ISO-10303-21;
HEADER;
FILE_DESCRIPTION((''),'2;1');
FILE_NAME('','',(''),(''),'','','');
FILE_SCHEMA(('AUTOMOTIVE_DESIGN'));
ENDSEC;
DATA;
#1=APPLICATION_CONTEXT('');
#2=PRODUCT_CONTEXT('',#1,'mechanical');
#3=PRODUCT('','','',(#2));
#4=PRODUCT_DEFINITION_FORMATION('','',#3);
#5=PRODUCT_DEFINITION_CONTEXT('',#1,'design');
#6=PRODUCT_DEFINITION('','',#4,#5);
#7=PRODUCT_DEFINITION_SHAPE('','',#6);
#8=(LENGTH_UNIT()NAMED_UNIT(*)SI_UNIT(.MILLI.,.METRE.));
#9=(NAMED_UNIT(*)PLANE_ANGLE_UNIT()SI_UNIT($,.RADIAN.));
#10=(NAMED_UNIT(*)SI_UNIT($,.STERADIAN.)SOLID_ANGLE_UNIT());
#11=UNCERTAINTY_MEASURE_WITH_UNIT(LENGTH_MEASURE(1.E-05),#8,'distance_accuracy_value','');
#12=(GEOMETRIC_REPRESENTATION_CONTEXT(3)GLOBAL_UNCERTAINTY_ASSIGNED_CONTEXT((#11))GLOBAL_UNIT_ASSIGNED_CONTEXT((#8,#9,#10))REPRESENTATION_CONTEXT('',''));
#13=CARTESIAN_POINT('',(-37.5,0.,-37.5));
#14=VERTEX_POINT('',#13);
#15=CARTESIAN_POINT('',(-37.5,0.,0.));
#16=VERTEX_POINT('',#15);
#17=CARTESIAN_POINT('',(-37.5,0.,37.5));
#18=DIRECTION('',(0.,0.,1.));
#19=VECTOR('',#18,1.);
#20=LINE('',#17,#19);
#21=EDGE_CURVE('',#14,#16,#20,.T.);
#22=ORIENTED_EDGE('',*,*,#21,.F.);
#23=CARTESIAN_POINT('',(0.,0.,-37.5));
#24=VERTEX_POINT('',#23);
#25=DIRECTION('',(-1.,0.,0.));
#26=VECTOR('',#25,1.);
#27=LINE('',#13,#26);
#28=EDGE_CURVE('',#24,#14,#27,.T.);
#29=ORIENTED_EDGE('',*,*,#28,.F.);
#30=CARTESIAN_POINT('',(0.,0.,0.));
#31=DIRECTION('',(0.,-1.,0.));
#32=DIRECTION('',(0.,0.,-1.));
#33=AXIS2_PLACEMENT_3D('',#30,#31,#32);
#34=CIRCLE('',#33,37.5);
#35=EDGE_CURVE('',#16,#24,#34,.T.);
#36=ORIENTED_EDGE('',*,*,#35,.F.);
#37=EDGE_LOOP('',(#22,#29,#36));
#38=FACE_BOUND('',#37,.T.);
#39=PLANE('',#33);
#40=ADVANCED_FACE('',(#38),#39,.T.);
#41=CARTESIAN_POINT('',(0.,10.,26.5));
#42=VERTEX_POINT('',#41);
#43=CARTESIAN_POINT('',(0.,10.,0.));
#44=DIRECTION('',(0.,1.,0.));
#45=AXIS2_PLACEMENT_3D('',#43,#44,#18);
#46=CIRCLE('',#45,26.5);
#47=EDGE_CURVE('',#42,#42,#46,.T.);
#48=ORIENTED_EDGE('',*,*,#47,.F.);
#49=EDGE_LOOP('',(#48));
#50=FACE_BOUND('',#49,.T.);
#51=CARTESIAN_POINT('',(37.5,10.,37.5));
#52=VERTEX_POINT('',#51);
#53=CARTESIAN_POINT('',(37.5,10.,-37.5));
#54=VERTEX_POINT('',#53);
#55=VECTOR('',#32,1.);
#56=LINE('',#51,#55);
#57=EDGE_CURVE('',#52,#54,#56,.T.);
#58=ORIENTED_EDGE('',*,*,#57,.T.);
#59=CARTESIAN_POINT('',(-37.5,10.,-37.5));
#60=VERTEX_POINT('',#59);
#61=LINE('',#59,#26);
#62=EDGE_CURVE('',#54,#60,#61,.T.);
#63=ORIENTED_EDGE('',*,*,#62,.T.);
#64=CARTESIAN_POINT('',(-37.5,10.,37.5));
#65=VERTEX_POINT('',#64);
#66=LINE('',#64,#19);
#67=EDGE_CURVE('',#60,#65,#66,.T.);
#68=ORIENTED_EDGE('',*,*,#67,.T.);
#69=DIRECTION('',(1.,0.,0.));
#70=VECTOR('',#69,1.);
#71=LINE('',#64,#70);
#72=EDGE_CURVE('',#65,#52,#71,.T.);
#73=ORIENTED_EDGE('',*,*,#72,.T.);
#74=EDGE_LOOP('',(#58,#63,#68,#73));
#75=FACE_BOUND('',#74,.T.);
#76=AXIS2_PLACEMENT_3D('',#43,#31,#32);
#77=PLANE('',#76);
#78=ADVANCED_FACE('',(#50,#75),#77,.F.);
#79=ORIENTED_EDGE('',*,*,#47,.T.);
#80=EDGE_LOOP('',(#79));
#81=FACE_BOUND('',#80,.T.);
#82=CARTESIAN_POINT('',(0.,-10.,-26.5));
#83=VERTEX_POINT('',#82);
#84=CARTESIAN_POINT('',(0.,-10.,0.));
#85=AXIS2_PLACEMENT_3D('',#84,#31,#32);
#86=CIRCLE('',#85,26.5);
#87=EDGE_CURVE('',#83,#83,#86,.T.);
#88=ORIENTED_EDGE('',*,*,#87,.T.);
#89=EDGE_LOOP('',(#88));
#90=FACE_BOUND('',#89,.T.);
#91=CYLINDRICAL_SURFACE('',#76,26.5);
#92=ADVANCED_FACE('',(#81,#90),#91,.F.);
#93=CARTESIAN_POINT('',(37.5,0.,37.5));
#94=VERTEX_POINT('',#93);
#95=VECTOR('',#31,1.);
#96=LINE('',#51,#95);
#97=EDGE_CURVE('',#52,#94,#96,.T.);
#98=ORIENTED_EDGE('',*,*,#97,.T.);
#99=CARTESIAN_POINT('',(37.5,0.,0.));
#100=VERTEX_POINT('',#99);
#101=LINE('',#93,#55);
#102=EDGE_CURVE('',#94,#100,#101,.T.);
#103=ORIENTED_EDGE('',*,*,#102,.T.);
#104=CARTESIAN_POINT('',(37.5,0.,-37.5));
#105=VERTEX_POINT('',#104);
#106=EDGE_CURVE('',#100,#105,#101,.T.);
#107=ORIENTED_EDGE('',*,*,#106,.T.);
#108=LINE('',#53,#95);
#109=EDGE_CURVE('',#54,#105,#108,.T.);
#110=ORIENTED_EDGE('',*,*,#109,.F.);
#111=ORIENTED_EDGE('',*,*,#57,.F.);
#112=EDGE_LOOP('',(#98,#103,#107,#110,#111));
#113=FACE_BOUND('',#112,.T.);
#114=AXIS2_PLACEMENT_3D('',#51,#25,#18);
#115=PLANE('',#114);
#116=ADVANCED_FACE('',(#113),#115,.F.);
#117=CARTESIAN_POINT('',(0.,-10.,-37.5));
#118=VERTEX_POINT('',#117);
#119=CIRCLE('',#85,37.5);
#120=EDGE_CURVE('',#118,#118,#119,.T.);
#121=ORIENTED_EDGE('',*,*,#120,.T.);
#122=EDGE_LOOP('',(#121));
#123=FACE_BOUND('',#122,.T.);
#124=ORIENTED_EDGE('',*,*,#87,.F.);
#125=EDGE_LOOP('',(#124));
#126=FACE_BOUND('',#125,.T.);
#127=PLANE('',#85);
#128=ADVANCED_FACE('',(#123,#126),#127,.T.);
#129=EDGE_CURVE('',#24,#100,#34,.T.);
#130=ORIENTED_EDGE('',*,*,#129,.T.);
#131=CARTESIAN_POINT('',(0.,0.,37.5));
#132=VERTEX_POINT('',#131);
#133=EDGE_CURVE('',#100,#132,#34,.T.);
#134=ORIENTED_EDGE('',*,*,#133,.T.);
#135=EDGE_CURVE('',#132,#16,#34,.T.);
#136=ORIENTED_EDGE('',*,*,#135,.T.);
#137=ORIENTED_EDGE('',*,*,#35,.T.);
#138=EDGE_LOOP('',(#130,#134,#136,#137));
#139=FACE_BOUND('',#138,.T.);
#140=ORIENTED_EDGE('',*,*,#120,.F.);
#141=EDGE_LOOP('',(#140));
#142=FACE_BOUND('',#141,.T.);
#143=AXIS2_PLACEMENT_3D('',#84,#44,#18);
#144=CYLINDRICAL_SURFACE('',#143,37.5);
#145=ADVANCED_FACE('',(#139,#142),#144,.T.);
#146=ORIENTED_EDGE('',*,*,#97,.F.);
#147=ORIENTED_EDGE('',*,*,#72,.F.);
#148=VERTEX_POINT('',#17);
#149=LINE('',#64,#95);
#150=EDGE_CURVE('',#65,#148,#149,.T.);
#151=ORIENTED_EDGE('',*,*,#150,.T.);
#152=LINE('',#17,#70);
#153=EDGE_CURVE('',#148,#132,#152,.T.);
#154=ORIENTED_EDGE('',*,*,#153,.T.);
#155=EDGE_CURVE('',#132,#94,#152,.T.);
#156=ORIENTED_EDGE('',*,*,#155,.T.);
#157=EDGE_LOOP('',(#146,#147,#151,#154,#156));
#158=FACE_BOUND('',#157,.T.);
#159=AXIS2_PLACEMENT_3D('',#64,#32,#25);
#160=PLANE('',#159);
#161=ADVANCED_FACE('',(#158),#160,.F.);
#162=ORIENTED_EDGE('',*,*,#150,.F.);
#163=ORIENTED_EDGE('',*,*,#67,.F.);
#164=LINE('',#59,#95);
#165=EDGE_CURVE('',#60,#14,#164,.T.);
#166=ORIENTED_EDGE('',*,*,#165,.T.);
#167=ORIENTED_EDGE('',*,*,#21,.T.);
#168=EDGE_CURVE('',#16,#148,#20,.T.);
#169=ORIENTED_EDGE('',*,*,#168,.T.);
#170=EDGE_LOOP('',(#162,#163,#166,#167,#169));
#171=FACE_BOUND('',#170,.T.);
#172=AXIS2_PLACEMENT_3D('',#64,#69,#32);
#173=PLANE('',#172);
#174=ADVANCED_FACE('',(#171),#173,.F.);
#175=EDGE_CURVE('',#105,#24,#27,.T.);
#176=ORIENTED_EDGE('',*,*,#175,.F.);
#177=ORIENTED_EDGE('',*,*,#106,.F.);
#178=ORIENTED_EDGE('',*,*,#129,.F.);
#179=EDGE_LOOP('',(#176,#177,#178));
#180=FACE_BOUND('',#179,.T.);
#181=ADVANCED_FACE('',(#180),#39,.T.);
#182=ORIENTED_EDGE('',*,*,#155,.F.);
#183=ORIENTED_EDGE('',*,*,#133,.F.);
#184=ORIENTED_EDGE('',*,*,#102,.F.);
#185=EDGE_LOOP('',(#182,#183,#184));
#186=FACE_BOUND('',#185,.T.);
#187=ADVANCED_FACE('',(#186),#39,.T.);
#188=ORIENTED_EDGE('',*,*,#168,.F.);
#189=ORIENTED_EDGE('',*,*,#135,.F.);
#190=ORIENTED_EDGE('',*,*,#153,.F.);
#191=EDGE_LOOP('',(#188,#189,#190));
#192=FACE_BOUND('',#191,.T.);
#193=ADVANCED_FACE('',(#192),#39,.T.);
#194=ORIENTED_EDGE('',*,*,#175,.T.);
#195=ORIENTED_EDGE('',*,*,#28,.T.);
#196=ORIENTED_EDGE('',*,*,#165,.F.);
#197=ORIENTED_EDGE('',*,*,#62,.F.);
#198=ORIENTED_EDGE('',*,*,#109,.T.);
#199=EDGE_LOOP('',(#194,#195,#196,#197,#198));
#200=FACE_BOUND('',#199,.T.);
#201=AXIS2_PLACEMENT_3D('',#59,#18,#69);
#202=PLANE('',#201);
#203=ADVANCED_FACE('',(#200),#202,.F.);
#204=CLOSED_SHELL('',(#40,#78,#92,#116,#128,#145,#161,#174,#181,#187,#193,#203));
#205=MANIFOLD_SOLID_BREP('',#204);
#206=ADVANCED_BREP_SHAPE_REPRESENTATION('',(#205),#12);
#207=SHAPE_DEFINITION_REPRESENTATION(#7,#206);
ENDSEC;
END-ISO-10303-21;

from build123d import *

# Parameters (mm, degrees)
SKETCH1_W           = 75
SKETCH1_H           = 75
SKETCH1_R           = 26.5
BOSS_EXTRUDE1_DEPTH = 10
SKETCH2_R           = 37.5
SKETCH2_R_2         = 26.5
BOSS_EXTRUDE2_DEPTH = 10


with BuildPart() as part:
    # Sketch1 → Boss-Extrude1 (new body)
    with BuildSketch(Plane(origin=(0, 0, 0), x_dir=(1, 0, 0), z_dir=(0, 1, 0))):
        Rectangle(SKETCH1_W, SKETCH1_H)
        Circle(SKETCH1_R, mode=Mode.SUBTRACT)
    extrude(amount=BOSS_EXTRUDE1_DEPTH)

    # Sketch2 → Boss-Extrude2 (add)
    with BuildSketch(Plane.XZ):
        Circle(SKETCH2_R)
        Circle(SKETCH2_R_2, mode=Mode.SUBTRACT)
    extrude(amount=BOSS_EXTRUDE2_DEPTH)


solid = part.part
